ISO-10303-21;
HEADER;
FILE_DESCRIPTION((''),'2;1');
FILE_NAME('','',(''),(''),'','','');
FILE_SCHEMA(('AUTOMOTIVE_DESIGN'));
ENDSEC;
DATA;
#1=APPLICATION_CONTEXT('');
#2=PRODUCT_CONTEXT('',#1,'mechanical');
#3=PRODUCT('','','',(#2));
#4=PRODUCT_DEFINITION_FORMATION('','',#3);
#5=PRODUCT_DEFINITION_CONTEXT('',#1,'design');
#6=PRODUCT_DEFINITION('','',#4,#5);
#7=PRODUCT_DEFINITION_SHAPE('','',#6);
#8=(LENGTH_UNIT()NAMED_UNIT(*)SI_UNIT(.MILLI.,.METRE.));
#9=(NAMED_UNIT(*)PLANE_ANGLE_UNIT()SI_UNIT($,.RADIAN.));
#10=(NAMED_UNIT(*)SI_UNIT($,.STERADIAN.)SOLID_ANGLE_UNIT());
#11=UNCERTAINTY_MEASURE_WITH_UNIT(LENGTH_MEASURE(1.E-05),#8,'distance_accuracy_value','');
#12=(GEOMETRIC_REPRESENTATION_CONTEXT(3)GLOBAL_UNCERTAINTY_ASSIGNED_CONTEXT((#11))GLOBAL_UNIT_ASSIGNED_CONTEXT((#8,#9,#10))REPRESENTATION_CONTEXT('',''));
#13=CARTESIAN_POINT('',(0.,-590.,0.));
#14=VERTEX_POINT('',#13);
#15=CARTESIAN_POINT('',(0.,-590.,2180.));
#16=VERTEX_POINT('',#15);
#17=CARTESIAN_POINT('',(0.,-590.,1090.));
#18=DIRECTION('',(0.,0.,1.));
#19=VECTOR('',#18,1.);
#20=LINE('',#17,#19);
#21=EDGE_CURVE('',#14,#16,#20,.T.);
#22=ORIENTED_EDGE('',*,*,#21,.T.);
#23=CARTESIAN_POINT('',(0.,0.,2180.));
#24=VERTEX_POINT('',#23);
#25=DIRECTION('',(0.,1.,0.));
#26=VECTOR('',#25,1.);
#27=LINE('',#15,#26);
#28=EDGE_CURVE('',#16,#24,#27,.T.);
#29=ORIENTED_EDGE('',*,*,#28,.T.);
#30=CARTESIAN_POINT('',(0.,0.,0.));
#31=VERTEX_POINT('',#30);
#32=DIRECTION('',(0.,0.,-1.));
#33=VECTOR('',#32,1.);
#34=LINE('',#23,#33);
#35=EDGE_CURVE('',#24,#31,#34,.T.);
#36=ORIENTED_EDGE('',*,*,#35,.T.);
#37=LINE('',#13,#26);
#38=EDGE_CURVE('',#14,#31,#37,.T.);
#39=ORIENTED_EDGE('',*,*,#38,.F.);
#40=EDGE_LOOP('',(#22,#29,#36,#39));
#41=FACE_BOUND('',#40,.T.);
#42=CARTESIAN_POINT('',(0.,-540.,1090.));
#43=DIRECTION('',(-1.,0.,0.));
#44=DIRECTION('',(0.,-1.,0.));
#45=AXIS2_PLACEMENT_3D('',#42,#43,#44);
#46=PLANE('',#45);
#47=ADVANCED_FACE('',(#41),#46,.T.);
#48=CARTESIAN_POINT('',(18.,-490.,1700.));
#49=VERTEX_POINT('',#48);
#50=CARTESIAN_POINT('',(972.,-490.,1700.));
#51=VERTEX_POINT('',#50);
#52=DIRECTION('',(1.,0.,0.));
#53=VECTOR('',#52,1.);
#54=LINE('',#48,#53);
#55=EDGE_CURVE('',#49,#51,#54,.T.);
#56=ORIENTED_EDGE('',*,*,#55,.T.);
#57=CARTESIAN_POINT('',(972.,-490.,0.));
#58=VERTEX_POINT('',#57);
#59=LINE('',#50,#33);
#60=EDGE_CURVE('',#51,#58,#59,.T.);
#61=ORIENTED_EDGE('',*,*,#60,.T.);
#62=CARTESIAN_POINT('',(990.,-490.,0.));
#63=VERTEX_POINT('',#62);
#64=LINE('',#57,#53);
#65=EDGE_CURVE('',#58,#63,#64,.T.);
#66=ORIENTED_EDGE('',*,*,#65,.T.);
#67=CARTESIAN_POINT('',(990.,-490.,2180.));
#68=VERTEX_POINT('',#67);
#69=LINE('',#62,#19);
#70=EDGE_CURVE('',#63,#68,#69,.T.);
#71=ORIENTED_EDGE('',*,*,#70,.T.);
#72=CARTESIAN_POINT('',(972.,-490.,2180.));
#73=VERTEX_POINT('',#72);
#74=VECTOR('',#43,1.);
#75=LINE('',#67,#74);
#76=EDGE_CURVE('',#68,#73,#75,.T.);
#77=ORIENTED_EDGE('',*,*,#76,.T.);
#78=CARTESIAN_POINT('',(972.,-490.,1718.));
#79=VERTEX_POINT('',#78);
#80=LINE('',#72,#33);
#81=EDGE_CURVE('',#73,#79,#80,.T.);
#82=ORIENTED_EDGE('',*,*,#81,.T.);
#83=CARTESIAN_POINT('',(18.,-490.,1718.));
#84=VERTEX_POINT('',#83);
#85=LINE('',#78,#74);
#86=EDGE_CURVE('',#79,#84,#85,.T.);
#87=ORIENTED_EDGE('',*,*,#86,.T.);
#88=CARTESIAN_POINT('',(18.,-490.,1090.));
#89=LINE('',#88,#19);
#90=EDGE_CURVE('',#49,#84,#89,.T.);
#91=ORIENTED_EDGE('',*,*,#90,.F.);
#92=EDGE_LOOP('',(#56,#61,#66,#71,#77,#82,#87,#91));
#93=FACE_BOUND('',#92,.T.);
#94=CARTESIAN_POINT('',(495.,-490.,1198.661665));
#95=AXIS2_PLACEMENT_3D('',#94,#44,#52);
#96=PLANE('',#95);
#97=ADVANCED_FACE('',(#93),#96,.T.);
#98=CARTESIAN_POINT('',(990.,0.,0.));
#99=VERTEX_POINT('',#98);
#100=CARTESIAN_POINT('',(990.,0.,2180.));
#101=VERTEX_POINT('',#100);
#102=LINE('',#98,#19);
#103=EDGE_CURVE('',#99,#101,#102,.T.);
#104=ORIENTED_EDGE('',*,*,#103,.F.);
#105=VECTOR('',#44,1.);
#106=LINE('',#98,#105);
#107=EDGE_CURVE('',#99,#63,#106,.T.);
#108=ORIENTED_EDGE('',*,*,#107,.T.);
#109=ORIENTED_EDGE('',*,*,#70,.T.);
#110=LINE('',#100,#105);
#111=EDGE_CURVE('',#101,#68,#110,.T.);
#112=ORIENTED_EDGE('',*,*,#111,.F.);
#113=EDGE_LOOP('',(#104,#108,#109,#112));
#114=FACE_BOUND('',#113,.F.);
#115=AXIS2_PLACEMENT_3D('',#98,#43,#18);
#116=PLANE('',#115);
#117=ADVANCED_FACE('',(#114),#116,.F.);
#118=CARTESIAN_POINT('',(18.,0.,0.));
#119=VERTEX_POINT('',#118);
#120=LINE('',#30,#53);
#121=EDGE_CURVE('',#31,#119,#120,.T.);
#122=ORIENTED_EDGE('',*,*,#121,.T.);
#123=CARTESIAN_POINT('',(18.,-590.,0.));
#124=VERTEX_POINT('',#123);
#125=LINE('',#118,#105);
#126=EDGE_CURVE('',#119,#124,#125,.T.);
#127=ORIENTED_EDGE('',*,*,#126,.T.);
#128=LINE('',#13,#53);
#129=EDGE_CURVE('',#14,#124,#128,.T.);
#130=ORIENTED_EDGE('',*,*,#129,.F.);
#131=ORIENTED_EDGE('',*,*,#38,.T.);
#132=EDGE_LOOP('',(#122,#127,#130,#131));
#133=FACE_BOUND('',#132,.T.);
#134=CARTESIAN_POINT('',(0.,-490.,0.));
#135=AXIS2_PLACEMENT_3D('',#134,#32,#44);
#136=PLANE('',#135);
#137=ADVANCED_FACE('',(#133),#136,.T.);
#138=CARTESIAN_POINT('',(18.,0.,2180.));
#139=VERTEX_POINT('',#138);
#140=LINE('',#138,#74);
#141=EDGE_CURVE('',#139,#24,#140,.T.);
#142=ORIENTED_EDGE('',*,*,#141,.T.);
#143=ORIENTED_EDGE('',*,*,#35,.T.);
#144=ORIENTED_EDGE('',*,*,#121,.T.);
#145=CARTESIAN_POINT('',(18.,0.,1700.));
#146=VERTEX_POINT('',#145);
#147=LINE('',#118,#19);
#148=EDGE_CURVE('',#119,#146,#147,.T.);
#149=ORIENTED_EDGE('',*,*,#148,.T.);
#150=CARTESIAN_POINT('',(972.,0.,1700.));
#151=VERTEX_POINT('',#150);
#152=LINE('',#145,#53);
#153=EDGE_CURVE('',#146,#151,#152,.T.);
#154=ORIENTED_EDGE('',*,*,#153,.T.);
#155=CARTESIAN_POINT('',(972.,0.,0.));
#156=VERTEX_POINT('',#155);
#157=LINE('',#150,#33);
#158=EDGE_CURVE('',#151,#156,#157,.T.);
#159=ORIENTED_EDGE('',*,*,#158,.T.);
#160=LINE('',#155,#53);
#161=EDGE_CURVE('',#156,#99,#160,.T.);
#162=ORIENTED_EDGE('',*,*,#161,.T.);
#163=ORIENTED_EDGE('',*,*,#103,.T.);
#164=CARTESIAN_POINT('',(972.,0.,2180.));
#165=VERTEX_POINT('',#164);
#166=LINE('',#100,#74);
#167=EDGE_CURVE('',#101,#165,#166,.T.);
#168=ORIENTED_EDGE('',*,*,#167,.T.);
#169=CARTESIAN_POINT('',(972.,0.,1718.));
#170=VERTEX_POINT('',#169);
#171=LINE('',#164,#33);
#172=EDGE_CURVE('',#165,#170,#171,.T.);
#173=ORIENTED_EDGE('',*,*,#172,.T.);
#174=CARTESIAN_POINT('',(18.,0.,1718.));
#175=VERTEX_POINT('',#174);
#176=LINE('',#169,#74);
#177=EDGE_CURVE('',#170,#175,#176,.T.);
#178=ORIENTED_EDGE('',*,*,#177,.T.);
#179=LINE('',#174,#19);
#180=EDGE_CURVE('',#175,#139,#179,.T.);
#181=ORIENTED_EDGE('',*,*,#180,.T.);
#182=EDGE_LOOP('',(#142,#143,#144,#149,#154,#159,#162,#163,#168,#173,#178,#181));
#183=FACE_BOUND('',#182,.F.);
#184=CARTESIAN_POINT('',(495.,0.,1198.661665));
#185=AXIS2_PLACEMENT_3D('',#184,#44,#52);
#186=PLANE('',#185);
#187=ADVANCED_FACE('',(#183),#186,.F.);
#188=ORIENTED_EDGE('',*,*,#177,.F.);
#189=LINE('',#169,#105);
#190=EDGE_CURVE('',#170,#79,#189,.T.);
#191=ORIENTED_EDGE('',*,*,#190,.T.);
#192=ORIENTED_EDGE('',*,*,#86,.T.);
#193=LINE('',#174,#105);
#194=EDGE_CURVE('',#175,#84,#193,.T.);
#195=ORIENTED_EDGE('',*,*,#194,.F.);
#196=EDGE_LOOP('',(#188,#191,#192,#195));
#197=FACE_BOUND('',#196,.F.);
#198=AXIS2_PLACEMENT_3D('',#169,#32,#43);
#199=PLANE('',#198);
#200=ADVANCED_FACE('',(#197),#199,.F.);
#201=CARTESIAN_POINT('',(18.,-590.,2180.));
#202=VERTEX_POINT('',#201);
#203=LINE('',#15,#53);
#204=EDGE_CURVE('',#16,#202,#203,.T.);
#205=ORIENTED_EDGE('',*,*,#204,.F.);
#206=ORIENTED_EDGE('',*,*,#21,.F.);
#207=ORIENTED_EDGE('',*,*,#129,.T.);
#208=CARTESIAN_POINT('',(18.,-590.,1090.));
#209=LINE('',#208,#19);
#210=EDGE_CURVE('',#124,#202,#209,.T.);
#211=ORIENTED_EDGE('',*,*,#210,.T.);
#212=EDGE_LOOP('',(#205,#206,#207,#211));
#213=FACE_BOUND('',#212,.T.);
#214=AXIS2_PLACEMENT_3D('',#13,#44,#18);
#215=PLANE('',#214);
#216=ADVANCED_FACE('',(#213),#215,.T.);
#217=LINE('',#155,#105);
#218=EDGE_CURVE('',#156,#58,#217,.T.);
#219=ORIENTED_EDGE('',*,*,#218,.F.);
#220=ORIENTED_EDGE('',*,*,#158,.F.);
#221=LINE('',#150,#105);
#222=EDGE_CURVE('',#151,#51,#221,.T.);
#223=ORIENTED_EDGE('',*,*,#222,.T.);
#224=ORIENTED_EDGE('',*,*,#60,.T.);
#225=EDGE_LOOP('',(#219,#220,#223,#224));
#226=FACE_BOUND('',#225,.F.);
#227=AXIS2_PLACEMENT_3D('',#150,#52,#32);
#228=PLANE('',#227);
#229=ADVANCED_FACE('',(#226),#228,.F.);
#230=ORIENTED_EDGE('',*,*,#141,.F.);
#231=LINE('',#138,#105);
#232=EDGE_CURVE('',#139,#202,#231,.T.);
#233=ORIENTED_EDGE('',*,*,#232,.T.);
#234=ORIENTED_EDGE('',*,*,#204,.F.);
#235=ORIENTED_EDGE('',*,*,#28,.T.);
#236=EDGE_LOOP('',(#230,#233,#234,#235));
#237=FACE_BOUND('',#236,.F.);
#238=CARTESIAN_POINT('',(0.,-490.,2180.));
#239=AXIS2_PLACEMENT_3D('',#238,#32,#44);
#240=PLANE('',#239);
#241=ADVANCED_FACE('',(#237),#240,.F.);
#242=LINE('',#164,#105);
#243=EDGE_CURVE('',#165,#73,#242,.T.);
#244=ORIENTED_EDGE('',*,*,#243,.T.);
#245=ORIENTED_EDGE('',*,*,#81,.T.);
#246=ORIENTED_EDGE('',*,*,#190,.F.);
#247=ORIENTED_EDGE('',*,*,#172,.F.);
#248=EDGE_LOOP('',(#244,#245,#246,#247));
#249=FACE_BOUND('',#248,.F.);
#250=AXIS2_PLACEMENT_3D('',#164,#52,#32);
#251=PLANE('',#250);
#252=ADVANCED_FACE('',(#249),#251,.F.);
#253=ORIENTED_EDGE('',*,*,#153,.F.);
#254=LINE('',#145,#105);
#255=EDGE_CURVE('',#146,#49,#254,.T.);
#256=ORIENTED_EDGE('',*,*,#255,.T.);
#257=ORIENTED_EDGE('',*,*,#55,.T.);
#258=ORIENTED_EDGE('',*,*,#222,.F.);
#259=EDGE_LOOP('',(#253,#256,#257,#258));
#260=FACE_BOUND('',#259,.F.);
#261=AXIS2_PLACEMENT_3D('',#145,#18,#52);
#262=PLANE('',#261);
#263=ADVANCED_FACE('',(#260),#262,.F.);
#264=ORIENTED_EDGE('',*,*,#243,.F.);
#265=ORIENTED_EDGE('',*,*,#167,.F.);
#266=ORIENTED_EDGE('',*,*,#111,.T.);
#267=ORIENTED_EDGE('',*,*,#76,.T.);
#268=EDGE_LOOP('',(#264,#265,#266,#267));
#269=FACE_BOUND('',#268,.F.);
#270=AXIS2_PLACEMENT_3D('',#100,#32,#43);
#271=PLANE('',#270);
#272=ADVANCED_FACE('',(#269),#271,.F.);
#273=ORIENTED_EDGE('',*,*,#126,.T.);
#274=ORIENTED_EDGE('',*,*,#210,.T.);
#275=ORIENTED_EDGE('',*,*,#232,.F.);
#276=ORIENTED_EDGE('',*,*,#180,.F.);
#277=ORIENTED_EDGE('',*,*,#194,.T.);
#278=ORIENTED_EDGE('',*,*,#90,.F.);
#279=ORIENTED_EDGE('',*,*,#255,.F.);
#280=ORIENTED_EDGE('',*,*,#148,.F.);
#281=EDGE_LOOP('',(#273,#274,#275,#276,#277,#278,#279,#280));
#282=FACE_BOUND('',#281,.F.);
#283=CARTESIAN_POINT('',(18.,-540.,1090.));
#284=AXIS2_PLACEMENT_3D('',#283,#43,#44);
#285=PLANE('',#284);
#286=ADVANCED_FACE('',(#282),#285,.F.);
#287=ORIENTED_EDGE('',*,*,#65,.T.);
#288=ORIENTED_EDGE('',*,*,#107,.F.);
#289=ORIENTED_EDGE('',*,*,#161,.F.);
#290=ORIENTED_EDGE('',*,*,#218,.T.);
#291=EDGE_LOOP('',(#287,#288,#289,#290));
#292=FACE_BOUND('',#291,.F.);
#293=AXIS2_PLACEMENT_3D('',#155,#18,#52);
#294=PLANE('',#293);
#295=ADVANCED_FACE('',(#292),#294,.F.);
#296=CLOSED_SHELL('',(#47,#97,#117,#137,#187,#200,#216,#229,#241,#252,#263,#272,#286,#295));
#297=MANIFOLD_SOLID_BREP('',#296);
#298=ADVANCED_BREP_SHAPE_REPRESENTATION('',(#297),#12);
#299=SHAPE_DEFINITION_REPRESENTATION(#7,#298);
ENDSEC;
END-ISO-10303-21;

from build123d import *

# Parameters (mm, degrees)
F1_DEPTH = 490
F2_W     = 100
F2_H     = 2180
F3_DEPTH = 18


with BuildPart() as f1:
    # F0 (on Front) → F1 (new body)
    with BuildSketch(Plane.XZ):
        Polygon((0, 2180), (0, 0), (18, 0), (18, 1700), (972, 1700), (972, 0), (990, 0), (990, 2180), (972, 2180), (972, 2162), (972, 1718), (18, 1718), (18, 2162), (18, 2180), align=None)
    extrude(amount=F1_DEPTH)

    # F2 (on face) → F3 (join)
    with BuildSketch(Plane(origin=(0, 0, 0), x_dir=(0, -1, 0), z_dir=(-1, 0, 0))):
        with Locations((540, 1090)):
            Rectangle(F2_W, F2_H)
    extrude(amount=-F3_DEPTH)


solid = f1.part
